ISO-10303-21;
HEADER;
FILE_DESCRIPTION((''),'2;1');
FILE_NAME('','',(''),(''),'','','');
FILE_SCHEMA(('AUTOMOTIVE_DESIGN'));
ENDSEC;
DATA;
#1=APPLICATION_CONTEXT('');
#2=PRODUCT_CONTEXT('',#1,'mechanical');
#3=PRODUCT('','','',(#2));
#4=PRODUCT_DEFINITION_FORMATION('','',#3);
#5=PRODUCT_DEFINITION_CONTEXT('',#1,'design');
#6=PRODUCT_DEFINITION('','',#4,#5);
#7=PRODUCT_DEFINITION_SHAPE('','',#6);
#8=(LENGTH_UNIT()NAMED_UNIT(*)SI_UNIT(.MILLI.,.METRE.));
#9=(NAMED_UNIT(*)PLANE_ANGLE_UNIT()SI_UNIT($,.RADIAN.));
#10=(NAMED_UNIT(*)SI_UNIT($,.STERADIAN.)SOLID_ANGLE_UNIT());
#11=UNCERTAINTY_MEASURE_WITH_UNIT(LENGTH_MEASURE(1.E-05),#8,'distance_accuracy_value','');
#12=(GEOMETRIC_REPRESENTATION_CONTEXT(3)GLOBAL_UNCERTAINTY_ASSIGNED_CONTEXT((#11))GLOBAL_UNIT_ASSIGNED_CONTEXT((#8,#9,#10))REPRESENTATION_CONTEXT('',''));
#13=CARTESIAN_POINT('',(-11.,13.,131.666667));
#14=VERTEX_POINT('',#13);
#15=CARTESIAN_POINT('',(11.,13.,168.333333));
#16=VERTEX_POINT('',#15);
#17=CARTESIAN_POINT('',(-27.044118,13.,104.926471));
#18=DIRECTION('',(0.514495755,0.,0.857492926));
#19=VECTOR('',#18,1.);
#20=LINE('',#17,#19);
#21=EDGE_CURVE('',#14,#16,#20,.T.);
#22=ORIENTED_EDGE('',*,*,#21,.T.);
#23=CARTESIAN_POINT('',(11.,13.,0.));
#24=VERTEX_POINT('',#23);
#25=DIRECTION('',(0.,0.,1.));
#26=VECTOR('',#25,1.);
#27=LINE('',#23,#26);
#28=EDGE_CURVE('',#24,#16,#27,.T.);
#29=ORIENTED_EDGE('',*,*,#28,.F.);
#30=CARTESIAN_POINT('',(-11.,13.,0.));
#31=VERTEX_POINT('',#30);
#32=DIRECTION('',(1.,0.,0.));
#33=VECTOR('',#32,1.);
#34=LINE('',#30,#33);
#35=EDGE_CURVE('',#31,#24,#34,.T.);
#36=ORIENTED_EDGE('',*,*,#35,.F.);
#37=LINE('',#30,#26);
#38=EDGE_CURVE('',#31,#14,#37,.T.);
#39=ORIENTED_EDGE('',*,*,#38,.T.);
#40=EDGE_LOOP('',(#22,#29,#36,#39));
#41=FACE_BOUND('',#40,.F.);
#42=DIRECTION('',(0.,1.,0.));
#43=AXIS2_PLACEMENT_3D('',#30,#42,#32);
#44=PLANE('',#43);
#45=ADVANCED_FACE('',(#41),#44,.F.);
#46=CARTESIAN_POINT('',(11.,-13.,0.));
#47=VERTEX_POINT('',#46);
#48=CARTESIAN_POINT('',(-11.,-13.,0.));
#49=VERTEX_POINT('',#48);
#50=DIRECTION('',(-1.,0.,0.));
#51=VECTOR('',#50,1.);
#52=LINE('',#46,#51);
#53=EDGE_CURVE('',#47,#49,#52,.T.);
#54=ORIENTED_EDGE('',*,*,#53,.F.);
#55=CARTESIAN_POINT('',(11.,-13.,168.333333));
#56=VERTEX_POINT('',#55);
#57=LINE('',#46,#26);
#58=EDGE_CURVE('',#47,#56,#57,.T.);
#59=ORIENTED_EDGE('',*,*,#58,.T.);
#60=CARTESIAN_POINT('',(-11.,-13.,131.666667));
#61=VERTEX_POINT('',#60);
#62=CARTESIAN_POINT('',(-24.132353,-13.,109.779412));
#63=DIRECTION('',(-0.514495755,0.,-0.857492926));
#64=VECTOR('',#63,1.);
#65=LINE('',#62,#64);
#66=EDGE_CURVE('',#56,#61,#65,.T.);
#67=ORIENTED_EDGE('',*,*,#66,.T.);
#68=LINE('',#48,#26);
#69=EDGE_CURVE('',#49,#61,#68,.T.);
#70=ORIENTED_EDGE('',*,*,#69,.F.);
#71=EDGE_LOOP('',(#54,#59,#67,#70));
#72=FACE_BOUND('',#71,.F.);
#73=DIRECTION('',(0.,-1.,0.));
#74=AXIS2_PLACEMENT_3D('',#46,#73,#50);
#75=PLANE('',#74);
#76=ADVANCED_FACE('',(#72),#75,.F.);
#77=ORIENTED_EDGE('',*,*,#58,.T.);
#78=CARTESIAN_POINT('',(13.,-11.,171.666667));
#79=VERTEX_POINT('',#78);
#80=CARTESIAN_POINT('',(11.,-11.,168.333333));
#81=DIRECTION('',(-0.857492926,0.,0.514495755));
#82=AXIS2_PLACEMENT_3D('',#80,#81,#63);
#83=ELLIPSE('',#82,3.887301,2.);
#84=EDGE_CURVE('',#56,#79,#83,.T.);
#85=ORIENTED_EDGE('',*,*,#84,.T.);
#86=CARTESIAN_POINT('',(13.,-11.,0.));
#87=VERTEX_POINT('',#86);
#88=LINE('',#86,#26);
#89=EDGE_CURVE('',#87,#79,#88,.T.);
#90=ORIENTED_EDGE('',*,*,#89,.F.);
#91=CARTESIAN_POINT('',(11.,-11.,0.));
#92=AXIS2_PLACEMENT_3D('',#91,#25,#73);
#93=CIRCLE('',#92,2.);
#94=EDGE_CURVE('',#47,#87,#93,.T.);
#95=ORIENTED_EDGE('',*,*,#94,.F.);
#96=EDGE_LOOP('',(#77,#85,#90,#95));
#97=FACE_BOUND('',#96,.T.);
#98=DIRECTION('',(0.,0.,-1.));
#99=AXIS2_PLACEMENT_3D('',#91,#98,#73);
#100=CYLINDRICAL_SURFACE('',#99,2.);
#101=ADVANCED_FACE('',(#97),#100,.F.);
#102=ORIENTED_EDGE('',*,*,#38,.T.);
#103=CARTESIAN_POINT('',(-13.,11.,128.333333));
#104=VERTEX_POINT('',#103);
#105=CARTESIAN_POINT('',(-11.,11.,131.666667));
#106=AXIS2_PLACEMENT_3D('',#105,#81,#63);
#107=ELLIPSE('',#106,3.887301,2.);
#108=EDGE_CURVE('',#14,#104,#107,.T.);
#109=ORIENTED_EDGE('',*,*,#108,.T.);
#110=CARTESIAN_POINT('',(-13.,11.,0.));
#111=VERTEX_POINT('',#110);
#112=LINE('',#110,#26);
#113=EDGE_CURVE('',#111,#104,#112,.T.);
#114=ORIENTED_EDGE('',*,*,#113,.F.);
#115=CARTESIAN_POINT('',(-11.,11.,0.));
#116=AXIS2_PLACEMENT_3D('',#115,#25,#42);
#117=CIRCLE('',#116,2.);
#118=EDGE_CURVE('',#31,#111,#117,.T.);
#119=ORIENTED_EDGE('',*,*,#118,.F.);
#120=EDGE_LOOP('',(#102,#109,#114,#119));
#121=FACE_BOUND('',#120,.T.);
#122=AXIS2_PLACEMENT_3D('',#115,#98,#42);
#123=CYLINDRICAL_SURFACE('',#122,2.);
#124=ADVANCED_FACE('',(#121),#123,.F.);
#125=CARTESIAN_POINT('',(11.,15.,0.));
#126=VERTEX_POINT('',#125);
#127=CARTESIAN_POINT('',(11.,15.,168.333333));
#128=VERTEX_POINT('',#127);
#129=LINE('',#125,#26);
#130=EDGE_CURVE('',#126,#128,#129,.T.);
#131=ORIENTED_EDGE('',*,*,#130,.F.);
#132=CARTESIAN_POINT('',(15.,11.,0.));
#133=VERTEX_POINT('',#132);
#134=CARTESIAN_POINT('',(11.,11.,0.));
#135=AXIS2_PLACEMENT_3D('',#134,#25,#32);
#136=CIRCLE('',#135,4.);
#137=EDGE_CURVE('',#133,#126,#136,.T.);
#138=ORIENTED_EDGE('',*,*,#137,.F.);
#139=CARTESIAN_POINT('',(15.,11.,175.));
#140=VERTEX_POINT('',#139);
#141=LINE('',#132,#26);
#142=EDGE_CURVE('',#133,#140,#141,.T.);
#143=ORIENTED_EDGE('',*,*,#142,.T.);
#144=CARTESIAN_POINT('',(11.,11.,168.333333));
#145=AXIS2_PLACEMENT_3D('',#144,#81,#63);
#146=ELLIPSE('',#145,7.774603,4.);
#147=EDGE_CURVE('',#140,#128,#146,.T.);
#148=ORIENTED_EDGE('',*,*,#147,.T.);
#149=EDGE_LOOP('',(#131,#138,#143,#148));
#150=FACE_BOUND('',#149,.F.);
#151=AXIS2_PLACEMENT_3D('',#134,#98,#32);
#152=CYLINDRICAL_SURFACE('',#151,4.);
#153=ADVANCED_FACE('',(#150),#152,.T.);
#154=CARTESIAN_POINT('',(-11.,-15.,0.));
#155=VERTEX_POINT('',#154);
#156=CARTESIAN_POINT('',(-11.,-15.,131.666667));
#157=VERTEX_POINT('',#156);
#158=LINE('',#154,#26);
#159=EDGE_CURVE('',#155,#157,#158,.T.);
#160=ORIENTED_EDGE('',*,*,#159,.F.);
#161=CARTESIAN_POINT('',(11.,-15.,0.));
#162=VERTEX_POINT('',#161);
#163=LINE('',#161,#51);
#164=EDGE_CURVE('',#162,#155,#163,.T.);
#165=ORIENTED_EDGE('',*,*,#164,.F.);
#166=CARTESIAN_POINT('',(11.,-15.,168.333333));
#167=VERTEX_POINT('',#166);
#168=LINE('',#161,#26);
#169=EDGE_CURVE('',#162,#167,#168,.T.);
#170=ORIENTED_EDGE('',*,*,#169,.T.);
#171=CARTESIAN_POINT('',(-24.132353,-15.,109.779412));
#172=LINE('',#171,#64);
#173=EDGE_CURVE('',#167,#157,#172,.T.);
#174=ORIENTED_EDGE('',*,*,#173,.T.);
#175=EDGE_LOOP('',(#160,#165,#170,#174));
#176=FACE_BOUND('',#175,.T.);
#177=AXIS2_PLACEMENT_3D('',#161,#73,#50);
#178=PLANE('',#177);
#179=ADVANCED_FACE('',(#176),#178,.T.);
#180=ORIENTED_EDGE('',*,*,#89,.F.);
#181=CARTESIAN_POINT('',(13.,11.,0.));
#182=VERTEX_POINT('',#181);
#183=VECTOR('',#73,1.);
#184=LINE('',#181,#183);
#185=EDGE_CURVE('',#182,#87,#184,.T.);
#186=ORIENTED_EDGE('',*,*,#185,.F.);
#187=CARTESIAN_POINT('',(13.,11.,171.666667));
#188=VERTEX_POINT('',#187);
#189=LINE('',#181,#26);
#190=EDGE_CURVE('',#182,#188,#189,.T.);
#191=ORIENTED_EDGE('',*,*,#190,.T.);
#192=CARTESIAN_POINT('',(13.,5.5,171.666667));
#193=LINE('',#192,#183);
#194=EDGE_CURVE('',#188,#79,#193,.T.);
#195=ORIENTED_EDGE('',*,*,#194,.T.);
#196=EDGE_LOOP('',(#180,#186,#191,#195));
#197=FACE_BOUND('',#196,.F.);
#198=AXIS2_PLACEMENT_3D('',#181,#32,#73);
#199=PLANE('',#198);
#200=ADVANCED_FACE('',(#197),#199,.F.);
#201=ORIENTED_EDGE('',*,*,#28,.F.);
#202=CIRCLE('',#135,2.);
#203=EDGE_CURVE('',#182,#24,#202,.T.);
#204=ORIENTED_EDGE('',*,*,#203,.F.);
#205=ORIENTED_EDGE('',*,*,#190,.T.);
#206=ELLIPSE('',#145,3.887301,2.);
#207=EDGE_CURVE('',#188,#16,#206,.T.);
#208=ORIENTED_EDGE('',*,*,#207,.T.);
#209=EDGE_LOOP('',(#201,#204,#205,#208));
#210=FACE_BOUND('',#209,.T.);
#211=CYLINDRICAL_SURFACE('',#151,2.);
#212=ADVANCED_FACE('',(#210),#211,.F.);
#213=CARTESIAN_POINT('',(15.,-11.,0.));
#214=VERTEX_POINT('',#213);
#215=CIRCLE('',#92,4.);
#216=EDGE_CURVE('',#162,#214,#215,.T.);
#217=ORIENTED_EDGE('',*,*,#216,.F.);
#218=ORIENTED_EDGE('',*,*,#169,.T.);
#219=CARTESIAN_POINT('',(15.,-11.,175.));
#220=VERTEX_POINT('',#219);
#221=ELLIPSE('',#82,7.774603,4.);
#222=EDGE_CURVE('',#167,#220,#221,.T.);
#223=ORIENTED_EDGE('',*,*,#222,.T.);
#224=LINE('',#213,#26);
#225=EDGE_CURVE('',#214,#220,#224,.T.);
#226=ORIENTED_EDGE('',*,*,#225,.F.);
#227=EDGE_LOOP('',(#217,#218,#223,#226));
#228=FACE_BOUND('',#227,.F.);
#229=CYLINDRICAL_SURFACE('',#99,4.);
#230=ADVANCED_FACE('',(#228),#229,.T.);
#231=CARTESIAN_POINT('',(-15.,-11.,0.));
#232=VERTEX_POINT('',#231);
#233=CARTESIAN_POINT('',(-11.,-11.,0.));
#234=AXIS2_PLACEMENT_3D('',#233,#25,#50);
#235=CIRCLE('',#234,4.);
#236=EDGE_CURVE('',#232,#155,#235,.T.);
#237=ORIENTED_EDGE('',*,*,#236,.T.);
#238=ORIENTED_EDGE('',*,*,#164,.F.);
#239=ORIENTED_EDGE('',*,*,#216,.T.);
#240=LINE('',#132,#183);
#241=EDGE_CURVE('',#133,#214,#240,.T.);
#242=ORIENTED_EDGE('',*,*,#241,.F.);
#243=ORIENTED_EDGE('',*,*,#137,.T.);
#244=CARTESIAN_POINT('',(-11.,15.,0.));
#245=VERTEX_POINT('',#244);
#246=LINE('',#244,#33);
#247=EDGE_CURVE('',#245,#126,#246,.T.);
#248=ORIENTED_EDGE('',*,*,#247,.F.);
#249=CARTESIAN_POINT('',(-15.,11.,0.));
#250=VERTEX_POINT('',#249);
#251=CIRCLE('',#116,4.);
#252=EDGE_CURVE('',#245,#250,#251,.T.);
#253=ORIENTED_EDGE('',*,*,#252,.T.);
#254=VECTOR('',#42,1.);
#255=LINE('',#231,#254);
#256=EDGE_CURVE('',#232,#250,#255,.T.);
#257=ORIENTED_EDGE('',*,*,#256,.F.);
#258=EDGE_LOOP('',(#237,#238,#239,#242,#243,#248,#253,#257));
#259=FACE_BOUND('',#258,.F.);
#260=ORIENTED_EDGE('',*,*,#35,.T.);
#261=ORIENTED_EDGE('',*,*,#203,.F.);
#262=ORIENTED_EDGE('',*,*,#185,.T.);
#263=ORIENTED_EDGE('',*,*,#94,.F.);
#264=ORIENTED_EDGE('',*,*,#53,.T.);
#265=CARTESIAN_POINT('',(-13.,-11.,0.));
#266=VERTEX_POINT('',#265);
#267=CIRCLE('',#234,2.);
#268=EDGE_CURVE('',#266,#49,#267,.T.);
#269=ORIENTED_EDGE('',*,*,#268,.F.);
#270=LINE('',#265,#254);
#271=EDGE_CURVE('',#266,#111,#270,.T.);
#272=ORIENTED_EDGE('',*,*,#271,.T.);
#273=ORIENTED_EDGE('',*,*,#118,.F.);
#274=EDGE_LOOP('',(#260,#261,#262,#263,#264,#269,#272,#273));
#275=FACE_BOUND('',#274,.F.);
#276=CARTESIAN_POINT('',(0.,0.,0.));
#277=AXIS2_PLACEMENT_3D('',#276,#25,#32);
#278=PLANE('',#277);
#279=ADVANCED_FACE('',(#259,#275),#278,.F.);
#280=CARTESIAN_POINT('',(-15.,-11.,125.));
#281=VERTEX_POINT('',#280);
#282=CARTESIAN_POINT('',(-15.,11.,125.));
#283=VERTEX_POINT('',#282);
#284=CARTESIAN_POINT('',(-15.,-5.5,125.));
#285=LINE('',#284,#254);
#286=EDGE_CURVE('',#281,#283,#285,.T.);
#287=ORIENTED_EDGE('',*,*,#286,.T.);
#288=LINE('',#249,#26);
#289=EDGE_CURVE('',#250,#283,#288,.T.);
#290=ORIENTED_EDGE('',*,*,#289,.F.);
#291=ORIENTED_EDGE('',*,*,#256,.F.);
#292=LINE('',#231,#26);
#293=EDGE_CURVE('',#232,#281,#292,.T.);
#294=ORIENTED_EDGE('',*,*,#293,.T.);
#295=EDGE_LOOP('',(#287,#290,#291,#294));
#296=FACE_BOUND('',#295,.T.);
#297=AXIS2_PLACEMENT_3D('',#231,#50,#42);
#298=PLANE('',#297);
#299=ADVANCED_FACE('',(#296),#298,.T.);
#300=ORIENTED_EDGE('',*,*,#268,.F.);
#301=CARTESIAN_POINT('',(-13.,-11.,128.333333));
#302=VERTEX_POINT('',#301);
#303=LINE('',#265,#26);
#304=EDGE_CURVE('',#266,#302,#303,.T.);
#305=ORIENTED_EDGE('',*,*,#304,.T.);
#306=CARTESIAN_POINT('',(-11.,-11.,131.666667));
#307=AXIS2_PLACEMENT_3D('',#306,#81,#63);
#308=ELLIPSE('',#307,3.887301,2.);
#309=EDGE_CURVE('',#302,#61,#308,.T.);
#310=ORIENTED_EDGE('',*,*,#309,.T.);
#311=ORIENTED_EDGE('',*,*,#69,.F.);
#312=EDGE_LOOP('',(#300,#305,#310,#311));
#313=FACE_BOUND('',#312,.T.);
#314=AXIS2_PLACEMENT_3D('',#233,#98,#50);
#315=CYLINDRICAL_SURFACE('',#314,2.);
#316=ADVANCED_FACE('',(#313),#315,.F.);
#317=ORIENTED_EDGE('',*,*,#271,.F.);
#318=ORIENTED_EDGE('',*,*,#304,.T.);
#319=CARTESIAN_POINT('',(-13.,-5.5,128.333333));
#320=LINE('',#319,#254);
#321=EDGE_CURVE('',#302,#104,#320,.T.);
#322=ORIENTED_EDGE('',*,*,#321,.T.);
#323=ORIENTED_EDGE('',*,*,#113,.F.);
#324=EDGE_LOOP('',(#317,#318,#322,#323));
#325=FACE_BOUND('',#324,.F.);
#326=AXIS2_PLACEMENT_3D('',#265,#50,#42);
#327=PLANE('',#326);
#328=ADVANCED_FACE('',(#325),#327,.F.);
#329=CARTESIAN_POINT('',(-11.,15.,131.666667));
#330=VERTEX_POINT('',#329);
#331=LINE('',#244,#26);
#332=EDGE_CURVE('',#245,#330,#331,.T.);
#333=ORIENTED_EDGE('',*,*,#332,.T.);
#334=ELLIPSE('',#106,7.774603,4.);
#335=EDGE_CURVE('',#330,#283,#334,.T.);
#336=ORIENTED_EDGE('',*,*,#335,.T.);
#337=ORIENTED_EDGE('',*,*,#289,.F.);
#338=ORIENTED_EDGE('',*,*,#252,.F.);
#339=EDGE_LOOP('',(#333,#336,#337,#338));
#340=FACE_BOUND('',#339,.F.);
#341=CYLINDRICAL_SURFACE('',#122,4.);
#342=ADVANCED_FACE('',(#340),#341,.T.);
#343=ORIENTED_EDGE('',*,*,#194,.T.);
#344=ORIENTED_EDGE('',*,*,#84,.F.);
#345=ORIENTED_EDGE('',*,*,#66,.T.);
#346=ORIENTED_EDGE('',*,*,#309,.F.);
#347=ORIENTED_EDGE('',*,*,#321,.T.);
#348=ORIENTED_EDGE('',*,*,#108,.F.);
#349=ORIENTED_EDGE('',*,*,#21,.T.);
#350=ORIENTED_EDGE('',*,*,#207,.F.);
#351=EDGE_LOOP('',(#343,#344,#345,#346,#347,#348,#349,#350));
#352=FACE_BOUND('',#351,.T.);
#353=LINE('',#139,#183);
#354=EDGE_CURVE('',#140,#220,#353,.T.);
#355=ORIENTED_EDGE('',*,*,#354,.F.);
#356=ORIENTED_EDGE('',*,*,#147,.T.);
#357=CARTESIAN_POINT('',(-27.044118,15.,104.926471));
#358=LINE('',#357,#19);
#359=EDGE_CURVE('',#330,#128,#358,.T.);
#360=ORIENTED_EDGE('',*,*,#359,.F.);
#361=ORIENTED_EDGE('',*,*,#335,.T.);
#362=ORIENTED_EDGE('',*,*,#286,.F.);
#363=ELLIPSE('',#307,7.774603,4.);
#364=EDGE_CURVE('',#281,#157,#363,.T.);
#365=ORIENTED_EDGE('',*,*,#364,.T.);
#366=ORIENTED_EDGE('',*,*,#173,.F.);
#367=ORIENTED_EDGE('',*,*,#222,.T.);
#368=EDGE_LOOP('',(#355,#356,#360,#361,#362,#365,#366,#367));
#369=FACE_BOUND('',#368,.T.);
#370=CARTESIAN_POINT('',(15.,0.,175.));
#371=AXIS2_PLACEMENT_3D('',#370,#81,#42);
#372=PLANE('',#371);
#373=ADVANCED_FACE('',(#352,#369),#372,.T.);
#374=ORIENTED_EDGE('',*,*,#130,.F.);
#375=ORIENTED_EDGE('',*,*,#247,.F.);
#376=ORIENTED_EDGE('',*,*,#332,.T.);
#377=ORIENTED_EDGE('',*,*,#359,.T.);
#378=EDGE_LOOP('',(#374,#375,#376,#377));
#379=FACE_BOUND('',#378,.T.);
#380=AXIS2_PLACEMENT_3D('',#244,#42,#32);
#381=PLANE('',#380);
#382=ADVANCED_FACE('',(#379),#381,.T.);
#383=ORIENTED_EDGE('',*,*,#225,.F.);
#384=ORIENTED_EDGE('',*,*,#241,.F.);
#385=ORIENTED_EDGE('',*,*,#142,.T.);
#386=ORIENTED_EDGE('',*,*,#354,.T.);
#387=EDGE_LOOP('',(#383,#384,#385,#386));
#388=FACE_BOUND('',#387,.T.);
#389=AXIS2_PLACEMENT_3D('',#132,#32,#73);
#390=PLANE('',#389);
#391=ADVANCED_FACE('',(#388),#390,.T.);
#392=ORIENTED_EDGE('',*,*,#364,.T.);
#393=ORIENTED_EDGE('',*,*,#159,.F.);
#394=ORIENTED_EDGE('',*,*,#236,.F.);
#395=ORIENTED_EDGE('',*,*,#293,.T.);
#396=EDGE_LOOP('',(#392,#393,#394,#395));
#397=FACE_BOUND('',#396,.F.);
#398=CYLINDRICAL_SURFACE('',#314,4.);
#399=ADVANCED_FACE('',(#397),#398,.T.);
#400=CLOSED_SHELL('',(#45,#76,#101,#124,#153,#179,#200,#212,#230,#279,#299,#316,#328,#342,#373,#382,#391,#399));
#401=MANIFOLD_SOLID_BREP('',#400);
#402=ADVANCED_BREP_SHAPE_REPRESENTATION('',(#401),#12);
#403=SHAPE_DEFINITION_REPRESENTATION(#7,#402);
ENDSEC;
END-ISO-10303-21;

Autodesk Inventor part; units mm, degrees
ref_plane "Plano inicial" through (0, 0, 0) normal (0, 0, 1) x (1, 0, 0)
ref_plane "Plano final" through (0, 0, 175) normal (0, 0, 1) x (1, 0, 0)
sketch "Esboço" plane through (0, 0, 0) normal (0, 0, 1) x (1, 0, 0)
  line L0 (-15, -11) -> (-15, 11)
  line L1 (-11, 15) -> (11, 15)
  line L2 (15, 11) -> (15, -11)
  line L3 (11, -15) -> (-11, -15)
  arc A0 (-15, -11) -> (-11, -15) centre (-11, -11) ccw
  arc A1 (15, 11) -> (11, 15) centre (11, 11) ccw
  arc A2 (-11, 15) -> (-15, 11) centre (-11, 11) ccw
  arc A3 (11, -15) -> (15, -11) centre (11, -11) ccw
  arc A4 (-11, 13) -> (-13, 11) centre (-11, 11) ccw
  line L4 (-11, 13) -> (11, 13)
  arc A5 (13, 11) -> (11, 13) centre (11, 11) ccw
  line L5 (13, 11) -> (13, -11)
  arc A6 (11, -13) -> (13, -11) centre (11, -11) ccw
  line L6 (11, -13) -> (-11, -13)
  arc A7 (-13, -11) -> (-11, -13) centre (-11, -11) ccw
  line L7 (-13, -11) -> (-13, 11)
  line L8 (0, 22.1598) -> (0, -22.1598) construction
  line L9 (-22.1598, 0) -> (22.1598, 0) construction
  dimension "d7" = 4
  dimension "d9" = 30
  dimension "d11" = 30
  dimension "d12" = 2
  dimension "d15" = 15
  dimension "d16" = 15
extrude "Corpo" add sketch "Esboço" along normal up to surface (175 mm away) from surface at 0
sketch "Sketch3" plane through (0, 0, 0) normal (0, 0, 1) x (1, 0, 0)
  line L0 (0, 0) -> (10, 0)
ref_plane "Work Plane3" through (0, 0, 0) normal (0, -1, 0) x (1, 0, 0)
sketch "Sketch4" plane through (0, 0, 0) normal (0, -1, 0) x (1, 0, 0)
  line L0 (-2, 0) -> (12, 0)
  line L1 (-2, 175) -> (12, 175)
  dimension "d18" = 175
ref_plane "Plano de trabalho5" through (445, 11, 0) normal (0, 0, -1) x (-1, 0, 0)
split "Dividir2" plane through (445, 11, 0) removes the side toward (0, 0, -1)
ref_plane "Plano de trabalho6" through (15, 0, 175) normal (-0.8575, 0, 0.5145) x (0.5145, 0, 0.8575)
split "Dividir3" plane through (15, 0, 175) removes the side toward (-0.8575, 0, 0.5145)
equation "\"d7\" = G_IR"
equation "\"d9\" = G_W"
equation "\"d11\" = G_H"
equation "\"d12\" = G_T"
equation "\"d15\" = 0.5 * d9"
equation "\"d16\" = 0.5 * d11"
equation "\"d3\" = G_L"
equation "\"G_W\" = 30"
equation "\"G_H\" = 30"
equation "\"G_T\" = 2"
equation "\"G_IR\" = 4"
equation "\"G_L\" = d18"
equation "\"G_OFFSET_START\" = 0"
equation "\"G_OFFSET_END\" = 0"
equation "\"d14\" = G_OFFSET_END + B_L"
equation "\"B_L\" = 175"
properties part number "ISO 10799-2 - 30x30x2 - 175" material "Aço, suave"
